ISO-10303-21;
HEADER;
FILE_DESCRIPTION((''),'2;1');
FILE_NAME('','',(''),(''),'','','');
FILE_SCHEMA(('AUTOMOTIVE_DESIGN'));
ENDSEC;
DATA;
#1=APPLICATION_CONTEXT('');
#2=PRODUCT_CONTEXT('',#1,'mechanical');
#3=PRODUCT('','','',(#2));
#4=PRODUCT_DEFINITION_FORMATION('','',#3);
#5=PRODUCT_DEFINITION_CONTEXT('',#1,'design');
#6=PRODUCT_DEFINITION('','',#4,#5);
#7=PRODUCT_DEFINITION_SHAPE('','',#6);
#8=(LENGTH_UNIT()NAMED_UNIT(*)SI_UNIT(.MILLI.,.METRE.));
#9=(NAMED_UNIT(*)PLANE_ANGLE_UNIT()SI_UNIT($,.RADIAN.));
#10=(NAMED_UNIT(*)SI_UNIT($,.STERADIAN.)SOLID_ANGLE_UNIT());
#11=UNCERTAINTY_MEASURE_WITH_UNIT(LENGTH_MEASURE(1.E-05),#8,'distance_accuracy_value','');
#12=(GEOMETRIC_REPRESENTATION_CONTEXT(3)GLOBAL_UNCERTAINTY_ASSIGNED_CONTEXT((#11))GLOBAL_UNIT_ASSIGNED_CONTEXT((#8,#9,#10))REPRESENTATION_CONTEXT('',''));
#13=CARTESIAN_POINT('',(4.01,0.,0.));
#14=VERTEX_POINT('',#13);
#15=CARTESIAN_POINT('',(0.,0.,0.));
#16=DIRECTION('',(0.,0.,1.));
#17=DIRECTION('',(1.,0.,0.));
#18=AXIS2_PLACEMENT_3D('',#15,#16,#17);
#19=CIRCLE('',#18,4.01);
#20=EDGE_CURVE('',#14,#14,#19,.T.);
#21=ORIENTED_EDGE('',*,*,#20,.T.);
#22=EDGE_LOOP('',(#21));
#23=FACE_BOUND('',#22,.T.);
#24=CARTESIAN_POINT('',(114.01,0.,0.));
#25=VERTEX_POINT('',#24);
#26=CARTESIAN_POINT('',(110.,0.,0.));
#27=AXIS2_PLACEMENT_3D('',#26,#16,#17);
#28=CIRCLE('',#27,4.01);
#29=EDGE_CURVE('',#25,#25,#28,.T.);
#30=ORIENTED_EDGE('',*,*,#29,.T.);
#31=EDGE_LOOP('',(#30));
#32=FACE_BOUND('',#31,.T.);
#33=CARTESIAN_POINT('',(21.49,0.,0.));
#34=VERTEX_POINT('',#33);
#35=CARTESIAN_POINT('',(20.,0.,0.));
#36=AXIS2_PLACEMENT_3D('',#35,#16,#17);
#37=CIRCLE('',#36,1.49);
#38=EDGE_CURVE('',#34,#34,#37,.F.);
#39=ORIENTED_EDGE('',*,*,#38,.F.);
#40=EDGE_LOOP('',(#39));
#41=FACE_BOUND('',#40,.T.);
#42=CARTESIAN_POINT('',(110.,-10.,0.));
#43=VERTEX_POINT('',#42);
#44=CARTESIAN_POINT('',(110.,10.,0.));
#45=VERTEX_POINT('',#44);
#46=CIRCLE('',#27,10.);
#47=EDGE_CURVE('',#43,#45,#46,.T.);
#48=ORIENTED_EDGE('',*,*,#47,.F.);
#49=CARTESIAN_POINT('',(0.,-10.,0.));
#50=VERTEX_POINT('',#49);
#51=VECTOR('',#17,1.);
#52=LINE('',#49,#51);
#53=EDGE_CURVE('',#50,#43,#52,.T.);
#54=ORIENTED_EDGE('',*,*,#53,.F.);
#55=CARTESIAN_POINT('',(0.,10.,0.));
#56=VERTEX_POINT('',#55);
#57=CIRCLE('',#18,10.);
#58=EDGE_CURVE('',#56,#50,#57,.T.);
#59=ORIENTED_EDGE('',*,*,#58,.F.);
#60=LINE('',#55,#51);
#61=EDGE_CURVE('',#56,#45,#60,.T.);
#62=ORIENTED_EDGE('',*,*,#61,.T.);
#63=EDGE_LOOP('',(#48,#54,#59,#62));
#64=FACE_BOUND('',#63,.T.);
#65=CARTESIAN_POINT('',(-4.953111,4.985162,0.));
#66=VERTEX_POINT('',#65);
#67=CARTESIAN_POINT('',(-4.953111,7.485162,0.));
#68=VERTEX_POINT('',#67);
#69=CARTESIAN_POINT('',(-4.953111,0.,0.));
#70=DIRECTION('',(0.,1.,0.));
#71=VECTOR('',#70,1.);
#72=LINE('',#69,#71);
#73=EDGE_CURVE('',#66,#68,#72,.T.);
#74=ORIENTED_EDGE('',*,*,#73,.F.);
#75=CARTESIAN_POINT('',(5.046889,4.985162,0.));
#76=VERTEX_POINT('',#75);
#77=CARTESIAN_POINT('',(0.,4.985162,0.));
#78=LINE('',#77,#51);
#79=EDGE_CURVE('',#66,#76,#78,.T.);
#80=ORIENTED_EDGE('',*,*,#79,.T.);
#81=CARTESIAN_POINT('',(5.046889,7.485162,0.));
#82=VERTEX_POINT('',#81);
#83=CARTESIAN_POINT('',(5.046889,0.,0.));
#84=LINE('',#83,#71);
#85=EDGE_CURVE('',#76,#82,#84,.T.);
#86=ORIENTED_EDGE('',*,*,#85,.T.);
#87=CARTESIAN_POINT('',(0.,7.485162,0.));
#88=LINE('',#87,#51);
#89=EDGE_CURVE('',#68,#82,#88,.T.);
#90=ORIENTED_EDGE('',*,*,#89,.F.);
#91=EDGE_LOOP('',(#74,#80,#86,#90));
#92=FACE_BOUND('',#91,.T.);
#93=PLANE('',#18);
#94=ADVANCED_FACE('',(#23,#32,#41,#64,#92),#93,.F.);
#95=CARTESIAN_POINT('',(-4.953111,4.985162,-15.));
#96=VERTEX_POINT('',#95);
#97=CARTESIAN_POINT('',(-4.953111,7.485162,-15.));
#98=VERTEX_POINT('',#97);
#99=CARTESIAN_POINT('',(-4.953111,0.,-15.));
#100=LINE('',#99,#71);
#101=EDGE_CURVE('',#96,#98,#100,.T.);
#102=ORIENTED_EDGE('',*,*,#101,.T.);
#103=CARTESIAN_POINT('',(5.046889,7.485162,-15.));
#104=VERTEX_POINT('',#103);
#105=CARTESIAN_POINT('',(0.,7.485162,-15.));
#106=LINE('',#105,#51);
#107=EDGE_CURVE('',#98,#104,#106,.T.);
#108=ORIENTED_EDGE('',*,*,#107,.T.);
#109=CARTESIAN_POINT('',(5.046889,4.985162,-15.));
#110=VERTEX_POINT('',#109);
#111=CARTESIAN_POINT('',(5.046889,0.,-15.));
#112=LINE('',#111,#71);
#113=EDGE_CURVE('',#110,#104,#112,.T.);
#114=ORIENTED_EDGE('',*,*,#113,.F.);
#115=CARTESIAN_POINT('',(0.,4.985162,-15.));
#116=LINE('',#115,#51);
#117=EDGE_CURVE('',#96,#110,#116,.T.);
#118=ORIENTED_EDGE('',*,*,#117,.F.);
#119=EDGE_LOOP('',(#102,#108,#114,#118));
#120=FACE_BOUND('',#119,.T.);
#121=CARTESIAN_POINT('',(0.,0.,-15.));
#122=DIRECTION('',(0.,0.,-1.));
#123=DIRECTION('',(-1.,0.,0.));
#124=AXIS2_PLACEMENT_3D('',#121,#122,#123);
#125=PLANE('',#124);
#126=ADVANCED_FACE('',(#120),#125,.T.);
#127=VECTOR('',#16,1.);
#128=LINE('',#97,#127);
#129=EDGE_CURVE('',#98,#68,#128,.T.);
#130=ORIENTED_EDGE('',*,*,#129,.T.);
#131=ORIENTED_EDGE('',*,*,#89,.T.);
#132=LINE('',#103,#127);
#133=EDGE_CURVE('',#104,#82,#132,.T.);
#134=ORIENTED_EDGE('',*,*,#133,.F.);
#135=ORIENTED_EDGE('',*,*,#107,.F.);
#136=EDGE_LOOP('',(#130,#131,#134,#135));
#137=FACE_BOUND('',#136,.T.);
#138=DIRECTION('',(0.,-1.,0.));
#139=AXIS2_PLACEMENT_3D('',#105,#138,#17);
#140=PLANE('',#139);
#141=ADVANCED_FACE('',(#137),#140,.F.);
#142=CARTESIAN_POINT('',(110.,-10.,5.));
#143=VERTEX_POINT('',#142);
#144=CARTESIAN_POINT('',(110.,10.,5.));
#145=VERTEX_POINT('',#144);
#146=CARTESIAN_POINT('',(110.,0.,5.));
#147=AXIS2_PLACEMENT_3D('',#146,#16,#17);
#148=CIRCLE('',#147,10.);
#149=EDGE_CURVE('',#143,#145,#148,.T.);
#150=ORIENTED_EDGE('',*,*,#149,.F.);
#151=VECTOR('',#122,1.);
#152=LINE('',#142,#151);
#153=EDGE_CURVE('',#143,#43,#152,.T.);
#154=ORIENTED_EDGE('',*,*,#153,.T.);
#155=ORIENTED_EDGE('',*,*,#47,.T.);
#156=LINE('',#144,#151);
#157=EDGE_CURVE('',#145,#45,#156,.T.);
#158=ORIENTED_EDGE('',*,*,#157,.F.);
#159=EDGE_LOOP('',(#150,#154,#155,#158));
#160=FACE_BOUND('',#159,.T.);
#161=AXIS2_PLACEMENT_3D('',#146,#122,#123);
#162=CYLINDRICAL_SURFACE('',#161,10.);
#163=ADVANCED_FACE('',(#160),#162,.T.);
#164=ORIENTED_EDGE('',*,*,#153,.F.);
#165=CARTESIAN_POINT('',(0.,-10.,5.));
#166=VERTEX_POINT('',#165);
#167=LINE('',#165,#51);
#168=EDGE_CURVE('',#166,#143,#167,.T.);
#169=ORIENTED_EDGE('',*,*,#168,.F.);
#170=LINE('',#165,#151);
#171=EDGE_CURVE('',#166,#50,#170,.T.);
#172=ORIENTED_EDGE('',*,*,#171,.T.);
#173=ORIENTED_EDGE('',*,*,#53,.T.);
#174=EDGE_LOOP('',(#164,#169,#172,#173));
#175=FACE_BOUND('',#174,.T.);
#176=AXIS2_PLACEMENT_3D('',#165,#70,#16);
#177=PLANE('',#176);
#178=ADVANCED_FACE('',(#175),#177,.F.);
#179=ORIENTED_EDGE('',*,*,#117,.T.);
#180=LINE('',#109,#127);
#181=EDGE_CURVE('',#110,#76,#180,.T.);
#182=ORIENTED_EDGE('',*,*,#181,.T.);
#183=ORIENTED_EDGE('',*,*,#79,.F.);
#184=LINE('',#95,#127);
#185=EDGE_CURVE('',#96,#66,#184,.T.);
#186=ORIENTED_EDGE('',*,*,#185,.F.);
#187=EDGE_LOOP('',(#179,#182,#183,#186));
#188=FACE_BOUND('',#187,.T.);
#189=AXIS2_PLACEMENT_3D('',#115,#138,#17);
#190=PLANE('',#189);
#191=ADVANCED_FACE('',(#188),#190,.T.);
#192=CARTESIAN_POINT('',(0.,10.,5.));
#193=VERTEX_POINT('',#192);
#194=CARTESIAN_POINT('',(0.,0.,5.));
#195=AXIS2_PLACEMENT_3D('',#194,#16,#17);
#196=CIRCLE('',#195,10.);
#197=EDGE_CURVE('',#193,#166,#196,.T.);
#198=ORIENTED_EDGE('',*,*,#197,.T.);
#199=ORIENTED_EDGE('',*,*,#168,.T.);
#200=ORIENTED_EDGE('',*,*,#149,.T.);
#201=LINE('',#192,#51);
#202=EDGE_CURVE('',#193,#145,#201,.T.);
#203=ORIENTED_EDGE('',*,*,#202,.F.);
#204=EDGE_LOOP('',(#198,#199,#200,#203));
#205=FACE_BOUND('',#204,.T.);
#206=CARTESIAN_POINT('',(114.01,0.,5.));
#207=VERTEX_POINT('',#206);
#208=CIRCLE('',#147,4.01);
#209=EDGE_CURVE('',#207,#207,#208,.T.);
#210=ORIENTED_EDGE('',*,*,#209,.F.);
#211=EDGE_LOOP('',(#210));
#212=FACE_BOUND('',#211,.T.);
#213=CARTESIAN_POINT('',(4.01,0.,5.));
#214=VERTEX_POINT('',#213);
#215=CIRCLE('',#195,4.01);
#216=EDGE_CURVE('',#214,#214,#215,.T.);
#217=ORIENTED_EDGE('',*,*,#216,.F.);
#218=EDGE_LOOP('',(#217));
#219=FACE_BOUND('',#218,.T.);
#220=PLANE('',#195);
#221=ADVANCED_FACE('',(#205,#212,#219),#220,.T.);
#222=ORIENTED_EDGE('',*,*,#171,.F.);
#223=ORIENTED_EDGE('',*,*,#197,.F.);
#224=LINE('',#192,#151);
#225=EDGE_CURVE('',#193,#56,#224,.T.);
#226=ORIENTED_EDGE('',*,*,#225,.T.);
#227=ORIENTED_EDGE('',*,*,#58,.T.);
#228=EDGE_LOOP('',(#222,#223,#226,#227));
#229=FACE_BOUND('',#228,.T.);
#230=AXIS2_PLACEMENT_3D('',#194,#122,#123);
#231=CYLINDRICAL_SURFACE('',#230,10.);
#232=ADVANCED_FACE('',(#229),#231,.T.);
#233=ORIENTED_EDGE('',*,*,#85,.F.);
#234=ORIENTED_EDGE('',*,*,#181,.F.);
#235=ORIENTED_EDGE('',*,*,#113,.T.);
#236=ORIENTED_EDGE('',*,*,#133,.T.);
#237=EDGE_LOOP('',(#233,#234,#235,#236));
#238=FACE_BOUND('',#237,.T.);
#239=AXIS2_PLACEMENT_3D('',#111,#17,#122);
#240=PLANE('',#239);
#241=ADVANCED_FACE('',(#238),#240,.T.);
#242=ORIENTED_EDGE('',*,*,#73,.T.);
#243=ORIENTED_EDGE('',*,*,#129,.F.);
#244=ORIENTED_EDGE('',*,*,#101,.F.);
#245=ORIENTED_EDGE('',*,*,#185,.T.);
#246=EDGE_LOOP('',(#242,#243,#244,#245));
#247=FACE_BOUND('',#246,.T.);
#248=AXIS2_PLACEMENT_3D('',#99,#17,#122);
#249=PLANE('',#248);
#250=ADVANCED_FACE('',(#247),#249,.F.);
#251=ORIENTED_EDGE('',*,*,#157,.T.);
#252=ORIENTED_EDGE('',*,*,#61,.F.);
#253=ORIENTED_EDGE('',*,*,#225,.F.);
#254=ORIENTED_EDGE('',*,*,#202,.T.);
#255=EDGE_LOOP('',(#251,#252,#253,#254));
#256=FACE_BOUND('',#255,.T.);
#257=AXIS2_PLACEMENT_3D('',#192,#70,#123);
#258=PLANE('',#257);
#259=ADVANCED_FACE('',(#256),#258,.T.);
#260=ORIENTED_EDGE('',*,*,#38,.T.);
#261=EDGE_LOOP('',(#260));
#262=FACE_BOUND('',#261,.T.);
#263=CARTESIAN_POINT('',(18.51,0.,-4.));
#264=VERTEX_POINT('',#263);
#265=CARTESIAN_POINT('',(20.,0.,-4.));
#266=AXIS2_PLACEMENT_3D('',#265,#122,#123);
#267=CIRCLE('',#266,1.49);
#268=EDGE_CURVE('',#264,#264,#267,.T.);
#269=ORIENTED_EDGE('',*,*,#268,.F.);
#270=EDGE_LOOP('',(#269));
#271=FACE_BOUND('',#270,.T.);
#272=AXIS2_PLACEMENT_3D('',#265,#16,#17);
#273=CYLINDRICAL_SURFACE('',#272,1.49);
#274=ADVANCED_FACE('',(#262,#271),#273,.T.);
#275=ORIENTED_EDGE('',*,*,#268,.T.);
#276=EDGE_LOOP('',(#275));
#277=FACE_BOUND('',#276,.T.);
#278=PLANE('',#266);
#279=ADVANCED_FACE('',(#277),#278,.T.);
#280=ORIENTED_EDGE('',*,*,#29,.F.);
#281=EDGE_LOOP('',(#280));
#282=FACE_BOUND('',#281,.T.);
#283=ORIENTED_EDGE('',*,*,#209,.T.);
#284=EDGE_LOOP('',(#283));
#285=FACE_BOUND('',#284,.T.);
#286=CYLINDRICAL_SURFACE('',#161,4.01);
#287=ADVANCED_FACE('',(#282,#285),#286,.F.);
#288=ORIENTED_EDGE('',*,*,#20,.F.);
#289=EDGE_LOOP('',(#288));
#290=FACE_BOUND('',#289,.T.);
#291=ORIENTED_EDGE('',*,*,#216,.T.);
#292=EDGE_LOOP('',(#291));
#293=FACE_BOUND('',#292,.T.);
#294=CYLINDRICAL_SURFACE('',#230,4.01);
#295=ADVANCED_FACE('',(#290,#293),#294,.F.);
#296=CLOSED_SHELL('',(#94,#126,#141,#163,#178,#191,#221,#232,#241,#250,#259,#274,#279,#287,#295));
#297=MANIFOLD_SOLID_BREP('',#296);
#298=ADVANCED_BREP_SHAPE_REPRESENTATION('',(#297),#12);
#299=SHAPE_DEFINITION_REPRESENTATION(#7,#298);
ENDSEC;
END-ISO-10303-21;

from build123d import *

# Parameters (mm, degrees)
SKETCH1_R           = 4.01
BOSS_EXTRUDE1_DEPTH = 5
SKETCH2_R           = 1.49
BOSS_EXTRUDE3_DEPTH = 4
SKETCH4_W           = 10
SKETCH4_H           = 2.5
BOSS_EXTRUDE5_DEPTH = 15


with BuildPart() as part:
    # Sketch1 → Boss-Extrude1 (new body)
    with BuildSketch(Plane.XY):
        with BuildLine():
            Line((110, 10), (0, 10))
            ThreePointArc((0, 10), (-10, 0), (0, -10))
            Line((0, -10), (110, -10))
            ThreePointArc((110, -10), (120, 0), (110, 10))
        make_face()
        Circle(SKETCH1_R, mode=Mode.SUBTRACT)
        with Locations((110, 0)):
            Circle(SKETCH1_R, mode=Mode.SUBTRACT)
    extrude(amount=BOSS_EXTRUDE1_DEPTH)

    # Sketch2 → Boss-Extrude3 (add)
    with BuildSketch(Plane(origin=(0, 0, 0), x_dir=(-1, 0, 0), z_dir=(0, 0, -1))):
        with Locations(Location((-20, 0, 0), (0, 0, 180))):
            Circle(SKETCH2_R)
    extrude(amount=BOSS_EXTRUDE3_DEPTH)

    # Sketch4 → Boss-Extrude5 (add)
    with BuildSketch(Plane(origin=(0, 0, 0), x_dir=(-1, 0, 0), z_dir=(0, 0, -1))):
        with Locations((-0.046889456, 6.235161972)):
            Rectangle(SKETCH4_W, SKETCH4_H)
    extrude(amount=BOSS_EXTRUDE5_DEPTH)


solid = part.part
